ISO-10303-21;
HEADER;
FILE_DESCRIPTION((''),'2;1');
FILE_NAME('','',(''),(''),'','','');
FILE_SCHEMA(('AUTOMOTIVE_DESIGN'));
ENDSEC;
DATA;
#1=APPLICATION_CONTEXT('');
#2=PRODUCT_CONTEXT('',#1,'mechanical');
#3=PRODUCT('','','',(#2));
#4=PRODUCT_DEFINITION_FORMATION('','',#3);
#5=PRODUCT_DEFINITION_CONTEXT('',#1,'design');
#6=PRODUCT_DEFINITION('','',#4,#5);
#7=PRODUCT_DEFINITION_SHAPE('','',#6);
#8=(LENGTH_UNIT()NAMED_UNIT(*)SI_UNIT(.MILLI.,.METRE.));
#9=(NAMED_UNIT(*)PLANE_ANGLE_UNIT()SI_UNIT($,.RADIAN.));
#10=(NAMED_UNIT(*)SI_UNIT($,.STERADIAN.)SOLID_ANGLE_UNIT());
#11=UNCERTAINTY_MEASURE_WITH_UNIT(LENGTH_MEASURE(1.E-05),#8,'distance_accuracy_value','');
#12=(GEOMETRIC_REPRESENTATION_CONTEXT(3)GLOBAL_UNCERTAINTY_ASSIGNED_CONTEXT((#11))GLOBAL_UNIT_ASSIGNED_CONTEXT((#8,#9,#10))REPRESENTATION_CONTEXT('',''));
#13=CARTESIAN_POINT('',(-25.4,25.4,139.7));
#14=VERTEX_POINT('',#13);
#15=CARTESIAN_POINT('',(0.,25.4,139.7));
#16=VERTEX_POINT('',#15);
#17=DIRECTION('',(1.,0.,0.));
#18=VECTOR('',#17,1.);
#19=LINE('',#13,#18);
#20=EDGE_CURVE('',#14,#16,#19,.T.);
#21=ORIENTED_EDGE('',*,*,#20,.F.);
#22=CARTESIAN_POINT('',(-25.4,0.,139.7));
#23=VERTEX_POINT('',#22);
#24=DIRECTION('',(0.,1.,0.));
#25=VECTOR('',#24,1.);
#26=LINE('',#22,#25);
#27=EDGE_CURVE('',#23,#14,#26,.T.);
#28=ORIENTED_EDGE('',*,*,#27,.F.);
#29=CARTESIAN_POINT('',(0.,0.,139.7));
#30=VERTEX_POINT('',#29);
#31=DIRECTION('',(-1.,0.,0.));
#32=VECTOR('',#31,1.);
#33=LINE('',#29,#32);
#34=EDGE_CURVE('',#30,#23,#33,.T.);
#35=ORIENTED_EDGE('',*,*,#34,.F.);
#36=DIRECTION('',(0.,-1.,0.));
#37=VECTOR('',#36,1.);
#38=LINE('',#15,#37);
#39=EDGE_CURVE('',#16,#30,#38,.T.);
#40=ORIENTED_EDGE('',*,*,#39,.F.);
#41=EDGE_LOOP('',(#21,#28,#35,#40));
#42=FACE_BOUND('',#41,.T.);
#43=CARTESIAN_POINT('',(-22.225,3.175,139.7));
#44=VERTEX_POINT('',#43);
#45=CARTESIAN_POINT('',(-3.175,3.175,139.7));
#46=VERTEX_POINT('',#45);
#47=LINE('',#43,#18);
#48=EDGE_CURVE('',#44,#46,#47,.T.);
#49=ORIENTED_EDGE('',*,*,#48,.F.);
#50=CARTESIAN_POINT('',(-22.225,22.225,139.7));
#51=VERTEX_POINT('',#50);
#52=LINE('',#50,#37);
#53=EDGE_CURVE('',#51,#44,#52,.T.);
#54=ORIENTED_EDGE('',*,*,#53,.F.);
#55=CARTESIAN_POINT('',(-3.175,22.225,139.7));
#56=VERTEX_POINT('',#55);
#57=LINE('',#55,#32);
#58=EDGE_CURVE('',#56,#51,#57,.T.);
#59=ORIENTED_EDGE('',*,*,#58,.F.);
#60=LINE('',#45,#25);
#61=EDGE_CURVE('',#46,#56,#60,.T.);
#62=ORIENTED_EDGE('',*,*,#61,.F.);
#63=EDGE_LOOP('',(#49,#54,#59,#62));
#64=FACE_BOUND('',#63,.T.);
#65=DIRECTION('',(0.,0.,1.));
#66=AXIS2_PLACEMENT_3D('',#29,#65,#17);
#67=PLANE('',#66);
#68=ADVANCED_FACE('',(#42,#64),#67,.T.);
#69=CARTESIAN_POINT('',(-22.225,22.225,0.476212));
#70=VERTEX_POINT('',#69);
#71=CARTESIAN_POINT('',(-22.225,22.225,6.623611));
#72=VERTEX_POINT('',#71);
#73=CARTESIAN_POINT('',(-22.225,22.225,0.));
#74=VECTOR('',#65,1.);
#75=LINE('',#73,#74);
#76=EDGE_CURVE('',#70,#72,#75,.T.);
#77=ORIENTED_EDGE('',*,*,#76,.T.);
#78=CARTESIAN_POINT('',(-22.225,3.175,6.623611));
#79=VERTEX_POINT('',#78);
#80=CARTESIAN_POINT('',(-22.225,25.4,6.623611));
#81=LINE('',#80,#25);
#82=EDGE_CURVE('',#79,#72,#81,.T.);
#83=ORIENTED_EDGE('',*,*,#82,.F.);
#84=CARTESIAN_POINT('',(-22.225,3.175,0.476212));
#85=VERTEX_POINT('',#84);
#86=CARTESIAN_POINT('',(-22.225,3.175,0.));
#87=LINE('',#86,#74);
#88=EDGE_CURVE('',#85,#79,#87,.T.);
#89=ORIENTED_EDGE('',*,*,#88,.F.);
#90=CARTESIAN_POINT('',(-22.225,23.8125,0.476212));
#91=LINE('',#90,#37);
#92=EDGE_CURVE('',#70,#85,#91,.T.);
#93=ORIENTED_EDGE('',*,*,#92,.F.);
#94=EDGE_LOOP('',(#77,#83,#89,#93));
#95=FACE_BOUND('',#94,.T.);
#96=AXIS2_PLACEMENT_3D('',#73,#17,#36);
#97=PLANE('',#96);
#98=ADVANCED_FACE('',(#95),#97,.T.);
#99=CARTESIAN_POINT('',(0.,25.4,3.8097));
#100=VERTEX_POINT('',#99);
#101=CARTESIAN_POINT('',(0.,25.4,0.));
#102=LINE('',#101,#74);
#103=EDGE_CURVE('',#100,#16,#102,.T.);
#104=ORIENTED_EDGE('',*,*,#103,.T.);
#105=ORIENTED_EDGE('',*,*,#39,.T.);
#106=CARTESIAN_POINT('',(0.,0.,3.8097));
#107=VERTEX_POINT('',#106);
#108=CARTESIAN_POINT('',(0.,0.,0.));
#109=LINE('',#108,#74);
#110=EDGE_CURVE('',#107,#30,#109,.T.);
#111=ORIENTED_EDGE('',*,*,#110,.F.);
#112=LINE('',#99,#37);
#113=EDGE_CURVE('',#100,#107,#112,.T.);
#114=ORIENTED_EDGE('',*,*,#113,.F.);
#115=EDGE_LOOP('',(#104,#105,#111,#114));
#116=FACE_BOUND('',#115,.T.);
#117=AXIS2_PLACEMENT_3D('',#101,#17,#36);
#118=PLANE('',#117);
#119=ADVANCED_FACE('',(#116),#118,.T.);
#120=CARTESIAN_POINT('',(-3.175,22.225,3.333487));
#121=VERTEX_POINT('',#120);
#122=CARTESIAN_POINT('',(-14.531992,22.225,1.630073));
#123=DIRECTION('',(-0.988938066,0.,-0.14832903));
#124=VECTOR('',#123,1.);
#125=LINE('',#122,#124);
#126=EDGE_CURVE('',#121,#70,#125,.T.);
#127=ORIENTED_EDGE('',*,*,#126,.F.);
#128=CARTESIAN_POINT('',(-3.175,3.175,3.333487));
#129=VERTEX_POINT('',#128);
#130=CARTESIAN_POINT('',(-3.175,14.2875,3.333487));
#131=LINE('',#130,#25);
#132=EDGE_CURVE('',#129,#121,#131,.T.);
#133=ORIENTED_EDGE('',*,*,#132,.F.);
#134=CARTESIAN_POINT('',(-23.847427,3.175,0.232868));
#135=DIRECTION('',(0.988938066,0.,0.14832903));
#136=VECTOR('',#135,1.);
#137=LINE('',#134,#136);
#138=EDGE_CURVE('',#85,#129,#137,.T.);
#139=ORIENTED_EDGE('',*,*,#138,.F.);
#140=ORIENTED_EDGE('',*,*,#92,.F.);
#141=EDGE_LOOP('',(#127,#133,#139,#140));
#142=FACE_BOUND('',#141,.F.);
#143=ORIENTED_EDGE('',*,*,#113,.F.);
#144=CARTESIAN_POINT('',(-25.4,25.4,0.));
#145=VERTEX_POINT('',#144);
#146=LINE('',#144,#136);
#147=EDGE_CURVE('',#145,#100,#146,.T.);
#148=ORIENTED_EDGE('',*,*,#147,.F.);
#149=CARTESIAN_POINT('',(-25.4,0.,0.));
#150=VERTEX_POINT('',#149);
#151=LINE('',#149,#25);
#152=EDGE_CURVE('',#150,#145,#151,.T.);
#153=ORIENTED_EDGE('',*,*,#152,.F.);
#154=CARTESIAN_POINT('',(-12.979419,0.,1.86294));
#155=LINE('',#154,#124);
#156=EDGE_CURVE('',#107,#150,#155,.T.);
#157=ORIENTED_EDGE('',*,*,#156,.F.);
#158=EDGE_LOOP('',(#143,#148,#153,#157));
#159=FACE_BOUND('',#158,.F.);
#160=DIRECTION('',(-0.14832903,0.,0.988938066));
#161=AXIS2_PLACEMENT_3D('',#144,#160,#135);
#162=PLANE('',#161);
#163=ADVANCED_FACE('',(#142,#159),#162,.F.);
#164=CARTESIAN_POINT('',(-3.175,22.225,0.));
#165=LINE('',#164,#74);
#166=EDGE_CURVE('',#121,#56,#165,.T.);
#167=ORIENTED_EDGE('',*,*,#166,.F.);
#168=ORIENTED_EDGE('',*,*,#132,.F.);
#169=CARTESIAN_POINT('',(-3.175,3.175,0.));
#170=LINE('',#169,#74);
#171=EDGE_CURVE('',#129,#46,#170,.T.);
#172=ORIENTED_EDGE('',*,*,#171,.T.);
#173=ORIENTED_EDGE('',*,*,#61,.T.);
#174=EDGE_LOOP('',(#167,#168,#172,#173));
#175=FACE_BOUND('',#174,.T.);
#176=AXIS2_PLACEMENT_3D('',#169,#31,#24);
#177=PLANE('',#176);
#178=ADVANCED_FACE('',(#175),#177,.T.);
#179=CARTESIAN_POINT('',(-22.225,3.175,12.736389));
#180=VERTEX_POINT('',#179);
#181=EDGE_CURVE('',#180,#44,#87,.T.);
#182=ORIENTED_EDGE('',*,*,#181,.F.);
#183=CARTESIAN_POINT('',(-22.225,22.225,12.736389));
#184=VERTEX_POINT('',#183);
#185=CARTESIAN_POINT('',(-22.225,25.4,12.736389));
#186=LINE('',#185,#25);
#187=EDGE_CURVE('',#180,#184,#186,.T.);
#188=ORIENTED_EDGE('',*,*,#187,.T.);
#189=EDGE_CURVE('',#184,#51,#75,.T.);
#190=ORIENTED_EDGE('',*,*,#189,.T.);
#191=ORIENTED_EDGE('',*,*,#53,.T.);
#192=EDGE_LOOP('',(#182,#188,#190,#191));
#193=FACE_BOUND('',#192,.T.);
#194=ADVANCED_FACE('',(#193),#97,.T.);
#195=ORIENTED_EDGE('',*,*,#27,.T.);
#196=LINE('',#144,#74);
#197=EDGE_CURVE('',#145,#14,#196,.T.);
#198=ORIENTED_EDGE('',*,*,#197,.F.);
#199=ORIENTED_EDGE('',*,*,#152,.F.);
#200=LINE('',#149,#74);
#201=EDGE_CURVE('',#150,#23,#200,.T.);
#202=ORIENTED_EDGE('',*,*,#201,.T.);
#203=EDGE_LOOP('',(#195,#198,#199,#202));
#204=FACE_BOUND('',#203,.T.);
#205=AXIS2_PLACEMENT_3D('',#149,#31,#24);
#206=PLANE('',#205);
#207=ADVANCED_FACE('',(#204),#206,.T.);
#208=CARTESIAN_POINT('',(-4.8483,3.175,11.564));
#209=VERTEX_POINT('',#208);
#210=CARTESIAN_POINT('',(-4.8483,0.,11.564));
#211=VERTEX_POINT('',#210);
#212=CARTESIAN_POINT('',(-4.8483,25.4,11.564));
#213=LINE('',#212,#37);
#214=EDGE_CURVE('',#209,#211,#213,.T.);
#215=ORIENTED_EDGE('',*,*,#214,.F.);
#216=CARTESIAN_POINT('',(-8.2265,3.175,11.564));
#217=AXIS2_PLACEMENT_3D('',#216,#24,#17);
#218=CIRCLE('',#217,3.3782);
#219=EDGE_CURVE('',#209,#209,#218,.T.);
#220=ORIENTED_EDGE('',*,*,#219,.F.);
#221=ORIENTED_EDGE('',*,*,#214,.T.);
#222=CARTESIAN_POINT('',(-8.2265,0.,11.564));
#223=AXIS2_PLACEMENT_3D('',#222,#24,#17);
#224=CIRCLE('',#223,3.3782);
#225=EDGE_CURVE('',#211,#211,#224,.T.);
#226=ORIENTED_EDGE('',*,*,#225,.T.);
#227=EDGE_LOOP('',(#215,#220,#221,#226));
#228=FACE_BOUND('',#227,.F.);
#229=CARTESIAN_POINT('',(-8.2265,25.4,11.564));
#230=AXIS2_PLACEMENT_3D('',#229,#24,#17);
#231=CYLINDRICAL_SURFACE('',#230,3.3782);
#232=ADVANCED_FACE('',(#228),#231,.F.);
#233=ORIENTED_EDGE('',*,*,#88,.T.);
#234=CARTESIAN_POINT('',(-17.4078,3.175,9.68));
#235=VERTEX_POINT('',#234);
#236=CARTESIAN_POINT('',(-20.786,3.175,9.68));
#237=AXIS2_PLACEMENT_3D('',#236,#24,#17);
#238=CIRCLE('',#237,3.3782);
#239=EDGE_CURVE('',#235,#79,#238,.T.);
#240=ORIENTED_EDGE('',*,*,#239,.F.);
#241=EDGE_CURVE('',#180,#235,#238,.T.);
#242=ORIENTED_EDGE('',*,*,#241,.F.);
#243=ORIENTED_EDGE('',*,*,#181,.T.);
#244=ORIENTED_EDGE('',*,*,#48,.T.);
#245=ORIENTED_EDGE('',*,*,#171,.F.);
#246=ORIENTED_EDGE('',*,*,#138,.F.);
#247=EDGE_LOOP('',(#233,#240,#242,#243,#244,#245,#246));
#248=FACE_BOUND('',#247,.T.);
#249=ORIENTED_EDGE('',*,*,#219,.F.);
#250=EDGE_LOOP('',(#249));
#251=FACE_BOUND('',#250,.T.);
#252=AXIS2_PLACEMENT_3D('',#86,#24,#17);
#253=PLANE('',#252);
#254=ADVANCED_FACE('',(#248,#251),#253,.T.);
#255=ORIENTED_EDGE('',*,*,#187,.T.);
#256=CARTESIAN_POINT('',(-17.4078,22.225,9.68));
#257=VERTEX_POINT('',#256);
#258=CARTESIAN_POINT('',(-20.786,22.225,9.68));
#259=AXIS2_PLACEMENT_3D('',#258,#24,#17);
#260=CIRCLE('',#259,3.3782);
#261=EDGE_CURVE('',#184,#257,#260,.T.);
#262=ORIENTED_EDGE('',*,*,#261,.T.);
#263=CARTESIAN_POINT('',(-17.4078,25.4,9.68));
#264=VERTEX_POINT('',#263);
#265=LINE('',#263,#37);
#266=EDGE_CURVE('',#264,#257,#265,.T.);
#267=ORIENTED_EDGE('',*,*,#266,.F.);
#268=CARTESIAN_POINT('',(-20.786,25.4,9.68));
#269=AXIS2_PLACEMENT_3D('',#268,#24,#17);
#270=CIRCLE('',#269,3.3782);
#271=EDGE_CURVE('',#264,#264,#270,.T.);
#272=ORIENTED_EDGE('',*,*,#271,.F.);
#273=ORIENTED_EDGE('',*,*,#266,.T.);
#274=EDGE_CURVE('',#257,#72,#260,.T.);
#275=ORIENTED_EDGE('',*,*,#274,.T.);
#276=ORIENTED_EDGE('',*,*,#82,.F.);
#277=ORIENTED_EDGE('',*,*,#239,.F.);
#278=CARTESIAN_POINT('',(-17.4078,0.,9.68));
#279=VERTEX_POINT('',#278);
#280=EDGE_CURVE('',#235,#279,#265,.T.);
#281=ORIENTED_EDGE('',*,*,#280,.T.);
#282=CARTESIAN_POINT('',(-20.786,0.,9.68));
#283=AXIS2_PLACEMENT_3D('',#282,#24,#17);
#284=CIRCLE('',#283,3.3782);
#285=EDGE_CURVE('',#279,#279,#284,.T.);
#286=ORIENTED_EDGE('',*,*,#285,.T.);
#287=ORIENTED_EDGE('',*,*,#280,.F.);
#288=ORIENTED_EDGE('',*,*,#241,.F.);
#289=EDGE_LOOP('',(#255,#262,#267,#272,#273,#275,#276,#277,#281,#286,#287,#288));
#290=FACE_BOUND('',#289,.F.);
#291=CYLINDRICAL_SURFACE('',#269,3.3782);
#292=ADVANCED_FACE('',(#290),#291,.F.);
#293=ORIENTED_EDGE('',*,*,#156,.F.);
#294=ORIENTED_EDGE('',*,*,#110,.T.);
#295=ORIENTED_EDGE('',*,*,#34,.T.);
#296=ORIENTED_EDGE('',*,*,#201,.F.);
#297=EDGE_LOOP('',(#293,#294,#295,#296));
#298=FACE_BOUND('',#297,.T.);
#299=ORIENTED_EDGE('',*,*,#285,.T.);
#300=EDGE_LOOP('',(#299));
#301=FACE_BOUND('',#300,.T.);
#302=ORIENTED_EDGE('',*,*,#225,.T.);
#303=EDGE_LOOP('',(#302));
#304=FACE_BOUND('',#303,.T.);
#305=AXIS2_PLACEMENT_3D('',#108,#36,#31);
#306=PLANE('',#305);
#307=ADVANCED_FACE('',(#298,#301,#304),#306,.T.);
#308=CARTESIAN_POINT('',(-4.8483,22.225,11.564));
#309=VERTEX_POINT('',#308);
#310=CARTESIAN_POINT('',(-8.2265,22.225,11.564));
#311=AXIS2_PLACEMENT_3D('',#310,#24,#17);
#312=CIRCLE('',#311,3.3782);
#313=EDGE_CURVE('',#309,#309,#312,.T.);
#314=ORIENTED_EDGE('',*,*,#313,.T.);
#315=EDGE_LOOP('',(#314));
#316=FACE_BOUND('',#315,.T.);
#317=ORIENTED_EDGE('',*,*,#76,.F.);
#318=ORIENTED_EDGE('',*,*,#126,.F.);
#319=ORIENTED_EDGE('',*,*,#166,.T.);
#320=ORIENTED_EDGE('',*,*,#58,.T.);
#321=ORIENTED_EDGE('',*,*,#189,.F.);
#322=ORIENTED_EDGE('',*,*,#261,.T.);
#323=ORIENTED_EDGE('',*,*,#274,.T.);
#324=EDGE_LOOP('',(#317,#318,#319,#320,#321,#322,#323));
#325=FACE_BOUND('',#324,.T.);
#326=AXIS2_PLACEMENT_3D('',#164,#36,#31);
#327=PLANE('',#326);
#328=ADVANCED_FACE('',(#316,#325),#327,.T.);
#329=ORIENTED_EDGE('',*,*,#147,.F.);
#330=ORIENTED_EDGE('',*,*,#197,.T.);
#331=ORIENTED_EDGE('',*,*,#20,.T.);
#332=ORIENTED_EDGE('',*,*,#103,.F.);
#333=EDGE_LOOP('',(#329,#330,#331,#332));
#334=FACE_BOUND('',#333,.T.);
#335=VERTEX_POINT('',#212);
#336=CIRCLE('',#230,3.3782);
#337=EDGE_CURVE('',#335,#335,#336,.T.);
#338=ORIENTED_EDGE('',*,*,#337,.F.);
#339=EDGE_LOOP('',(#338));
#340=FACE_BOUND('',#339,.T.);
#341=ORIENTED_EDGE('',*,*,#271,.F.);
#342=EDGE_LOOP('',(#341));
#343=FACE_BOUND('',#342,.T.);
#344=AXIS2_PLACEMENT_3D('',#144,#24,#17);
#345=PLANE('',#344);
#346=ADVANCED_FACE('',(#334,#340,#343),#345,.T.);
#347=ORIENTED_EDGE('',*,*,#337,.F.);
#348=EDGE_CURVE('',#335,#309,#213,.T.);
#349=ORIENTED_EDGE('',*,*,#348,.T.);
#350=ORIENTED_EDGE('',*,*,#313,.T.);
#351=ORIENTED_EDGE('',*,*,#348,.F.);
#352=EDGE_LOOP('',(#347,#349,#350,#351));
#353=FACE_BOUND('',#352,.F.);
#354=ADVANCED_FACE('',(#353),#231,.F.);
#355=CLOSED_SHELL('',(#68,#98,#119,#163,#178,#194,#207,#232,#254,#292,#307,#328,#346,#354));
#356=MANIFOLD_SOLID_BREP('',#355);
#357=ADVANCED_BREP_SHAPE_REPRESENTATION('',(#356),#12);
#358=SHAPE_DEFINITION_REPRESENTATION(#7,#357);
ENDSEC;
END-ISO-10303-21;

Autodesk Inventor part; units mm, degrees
ref_plane "YZ Plane" through (0, 0, 0) normal (1, 0, 0) x (0, 1, 0)
ref_plane "XZ Plane" through (0, 0, 0) normal (0, 1, 0) x (-1, 0, 0)
ref_plane "XY Plane" through (0, 0, 0) normal (0, 0, 1) x (1, 0, 0)
sketch "Sketch1" plane through (0, 0, 0) normal (0, 0, 1) x (1, 0, 0)
  line L0 (0, 0) -> (-25.4, 0)
  line L1 (-25.4, 0) -> (-25.4, 25.4)
  line L2 (-25.4, 25.4) -> (0, 25.4)
  line L3 (0, 25.4) -> (0, 0)
  line L4 (-3.175, 22.225) -> (-22.225, 22.225)
  line L5 (-22.225, 22.225) -> (-22.225, 3.175)
  line L6 (-22.225, 3.175) -> (-3.175, 3.175)
  line L7 (-3.175, 3.175) -> (-3.175, 22.225)
  dimension "d0" = 25.4
  dimension "d1" = 25.4
  dimension "d2" = 3.175
extrude "Extrusion1" add sketch "Sketch1" along normal blind 139.7
sketch "Sketch2" plane through (-25.4, 25.4, 0) normal (0, 1, 0) x (1, 0, 0)
  line L0 (0, 0) -> (25.4, 0) projected
  line L1 (25.4, 0) -> (25.4, -139.7) projected
  line L2 (0, 0) -> (25.4, -3.8097)
  dimension "d5" = 8.53
extrude "Extrusion2" cut sketch "Sketch2" against normal blind 127
sketch "Sketch3" plane through (-25.4, 25.4, 139.7) normal (0, 1, 0) x (1, 0, 0)
  circle A0 centre (4.614, 130.02) radius 3.3782 projected
  circle A1 centre (17.1735, 128.136) radius 3.3782 projected
  point P0 (25.4, 139.7)
extrude "Extrusion3" cut sketch "Sketch3" against normal blind 63.5
properties part number "V tube" material "Aluminum 6061"
